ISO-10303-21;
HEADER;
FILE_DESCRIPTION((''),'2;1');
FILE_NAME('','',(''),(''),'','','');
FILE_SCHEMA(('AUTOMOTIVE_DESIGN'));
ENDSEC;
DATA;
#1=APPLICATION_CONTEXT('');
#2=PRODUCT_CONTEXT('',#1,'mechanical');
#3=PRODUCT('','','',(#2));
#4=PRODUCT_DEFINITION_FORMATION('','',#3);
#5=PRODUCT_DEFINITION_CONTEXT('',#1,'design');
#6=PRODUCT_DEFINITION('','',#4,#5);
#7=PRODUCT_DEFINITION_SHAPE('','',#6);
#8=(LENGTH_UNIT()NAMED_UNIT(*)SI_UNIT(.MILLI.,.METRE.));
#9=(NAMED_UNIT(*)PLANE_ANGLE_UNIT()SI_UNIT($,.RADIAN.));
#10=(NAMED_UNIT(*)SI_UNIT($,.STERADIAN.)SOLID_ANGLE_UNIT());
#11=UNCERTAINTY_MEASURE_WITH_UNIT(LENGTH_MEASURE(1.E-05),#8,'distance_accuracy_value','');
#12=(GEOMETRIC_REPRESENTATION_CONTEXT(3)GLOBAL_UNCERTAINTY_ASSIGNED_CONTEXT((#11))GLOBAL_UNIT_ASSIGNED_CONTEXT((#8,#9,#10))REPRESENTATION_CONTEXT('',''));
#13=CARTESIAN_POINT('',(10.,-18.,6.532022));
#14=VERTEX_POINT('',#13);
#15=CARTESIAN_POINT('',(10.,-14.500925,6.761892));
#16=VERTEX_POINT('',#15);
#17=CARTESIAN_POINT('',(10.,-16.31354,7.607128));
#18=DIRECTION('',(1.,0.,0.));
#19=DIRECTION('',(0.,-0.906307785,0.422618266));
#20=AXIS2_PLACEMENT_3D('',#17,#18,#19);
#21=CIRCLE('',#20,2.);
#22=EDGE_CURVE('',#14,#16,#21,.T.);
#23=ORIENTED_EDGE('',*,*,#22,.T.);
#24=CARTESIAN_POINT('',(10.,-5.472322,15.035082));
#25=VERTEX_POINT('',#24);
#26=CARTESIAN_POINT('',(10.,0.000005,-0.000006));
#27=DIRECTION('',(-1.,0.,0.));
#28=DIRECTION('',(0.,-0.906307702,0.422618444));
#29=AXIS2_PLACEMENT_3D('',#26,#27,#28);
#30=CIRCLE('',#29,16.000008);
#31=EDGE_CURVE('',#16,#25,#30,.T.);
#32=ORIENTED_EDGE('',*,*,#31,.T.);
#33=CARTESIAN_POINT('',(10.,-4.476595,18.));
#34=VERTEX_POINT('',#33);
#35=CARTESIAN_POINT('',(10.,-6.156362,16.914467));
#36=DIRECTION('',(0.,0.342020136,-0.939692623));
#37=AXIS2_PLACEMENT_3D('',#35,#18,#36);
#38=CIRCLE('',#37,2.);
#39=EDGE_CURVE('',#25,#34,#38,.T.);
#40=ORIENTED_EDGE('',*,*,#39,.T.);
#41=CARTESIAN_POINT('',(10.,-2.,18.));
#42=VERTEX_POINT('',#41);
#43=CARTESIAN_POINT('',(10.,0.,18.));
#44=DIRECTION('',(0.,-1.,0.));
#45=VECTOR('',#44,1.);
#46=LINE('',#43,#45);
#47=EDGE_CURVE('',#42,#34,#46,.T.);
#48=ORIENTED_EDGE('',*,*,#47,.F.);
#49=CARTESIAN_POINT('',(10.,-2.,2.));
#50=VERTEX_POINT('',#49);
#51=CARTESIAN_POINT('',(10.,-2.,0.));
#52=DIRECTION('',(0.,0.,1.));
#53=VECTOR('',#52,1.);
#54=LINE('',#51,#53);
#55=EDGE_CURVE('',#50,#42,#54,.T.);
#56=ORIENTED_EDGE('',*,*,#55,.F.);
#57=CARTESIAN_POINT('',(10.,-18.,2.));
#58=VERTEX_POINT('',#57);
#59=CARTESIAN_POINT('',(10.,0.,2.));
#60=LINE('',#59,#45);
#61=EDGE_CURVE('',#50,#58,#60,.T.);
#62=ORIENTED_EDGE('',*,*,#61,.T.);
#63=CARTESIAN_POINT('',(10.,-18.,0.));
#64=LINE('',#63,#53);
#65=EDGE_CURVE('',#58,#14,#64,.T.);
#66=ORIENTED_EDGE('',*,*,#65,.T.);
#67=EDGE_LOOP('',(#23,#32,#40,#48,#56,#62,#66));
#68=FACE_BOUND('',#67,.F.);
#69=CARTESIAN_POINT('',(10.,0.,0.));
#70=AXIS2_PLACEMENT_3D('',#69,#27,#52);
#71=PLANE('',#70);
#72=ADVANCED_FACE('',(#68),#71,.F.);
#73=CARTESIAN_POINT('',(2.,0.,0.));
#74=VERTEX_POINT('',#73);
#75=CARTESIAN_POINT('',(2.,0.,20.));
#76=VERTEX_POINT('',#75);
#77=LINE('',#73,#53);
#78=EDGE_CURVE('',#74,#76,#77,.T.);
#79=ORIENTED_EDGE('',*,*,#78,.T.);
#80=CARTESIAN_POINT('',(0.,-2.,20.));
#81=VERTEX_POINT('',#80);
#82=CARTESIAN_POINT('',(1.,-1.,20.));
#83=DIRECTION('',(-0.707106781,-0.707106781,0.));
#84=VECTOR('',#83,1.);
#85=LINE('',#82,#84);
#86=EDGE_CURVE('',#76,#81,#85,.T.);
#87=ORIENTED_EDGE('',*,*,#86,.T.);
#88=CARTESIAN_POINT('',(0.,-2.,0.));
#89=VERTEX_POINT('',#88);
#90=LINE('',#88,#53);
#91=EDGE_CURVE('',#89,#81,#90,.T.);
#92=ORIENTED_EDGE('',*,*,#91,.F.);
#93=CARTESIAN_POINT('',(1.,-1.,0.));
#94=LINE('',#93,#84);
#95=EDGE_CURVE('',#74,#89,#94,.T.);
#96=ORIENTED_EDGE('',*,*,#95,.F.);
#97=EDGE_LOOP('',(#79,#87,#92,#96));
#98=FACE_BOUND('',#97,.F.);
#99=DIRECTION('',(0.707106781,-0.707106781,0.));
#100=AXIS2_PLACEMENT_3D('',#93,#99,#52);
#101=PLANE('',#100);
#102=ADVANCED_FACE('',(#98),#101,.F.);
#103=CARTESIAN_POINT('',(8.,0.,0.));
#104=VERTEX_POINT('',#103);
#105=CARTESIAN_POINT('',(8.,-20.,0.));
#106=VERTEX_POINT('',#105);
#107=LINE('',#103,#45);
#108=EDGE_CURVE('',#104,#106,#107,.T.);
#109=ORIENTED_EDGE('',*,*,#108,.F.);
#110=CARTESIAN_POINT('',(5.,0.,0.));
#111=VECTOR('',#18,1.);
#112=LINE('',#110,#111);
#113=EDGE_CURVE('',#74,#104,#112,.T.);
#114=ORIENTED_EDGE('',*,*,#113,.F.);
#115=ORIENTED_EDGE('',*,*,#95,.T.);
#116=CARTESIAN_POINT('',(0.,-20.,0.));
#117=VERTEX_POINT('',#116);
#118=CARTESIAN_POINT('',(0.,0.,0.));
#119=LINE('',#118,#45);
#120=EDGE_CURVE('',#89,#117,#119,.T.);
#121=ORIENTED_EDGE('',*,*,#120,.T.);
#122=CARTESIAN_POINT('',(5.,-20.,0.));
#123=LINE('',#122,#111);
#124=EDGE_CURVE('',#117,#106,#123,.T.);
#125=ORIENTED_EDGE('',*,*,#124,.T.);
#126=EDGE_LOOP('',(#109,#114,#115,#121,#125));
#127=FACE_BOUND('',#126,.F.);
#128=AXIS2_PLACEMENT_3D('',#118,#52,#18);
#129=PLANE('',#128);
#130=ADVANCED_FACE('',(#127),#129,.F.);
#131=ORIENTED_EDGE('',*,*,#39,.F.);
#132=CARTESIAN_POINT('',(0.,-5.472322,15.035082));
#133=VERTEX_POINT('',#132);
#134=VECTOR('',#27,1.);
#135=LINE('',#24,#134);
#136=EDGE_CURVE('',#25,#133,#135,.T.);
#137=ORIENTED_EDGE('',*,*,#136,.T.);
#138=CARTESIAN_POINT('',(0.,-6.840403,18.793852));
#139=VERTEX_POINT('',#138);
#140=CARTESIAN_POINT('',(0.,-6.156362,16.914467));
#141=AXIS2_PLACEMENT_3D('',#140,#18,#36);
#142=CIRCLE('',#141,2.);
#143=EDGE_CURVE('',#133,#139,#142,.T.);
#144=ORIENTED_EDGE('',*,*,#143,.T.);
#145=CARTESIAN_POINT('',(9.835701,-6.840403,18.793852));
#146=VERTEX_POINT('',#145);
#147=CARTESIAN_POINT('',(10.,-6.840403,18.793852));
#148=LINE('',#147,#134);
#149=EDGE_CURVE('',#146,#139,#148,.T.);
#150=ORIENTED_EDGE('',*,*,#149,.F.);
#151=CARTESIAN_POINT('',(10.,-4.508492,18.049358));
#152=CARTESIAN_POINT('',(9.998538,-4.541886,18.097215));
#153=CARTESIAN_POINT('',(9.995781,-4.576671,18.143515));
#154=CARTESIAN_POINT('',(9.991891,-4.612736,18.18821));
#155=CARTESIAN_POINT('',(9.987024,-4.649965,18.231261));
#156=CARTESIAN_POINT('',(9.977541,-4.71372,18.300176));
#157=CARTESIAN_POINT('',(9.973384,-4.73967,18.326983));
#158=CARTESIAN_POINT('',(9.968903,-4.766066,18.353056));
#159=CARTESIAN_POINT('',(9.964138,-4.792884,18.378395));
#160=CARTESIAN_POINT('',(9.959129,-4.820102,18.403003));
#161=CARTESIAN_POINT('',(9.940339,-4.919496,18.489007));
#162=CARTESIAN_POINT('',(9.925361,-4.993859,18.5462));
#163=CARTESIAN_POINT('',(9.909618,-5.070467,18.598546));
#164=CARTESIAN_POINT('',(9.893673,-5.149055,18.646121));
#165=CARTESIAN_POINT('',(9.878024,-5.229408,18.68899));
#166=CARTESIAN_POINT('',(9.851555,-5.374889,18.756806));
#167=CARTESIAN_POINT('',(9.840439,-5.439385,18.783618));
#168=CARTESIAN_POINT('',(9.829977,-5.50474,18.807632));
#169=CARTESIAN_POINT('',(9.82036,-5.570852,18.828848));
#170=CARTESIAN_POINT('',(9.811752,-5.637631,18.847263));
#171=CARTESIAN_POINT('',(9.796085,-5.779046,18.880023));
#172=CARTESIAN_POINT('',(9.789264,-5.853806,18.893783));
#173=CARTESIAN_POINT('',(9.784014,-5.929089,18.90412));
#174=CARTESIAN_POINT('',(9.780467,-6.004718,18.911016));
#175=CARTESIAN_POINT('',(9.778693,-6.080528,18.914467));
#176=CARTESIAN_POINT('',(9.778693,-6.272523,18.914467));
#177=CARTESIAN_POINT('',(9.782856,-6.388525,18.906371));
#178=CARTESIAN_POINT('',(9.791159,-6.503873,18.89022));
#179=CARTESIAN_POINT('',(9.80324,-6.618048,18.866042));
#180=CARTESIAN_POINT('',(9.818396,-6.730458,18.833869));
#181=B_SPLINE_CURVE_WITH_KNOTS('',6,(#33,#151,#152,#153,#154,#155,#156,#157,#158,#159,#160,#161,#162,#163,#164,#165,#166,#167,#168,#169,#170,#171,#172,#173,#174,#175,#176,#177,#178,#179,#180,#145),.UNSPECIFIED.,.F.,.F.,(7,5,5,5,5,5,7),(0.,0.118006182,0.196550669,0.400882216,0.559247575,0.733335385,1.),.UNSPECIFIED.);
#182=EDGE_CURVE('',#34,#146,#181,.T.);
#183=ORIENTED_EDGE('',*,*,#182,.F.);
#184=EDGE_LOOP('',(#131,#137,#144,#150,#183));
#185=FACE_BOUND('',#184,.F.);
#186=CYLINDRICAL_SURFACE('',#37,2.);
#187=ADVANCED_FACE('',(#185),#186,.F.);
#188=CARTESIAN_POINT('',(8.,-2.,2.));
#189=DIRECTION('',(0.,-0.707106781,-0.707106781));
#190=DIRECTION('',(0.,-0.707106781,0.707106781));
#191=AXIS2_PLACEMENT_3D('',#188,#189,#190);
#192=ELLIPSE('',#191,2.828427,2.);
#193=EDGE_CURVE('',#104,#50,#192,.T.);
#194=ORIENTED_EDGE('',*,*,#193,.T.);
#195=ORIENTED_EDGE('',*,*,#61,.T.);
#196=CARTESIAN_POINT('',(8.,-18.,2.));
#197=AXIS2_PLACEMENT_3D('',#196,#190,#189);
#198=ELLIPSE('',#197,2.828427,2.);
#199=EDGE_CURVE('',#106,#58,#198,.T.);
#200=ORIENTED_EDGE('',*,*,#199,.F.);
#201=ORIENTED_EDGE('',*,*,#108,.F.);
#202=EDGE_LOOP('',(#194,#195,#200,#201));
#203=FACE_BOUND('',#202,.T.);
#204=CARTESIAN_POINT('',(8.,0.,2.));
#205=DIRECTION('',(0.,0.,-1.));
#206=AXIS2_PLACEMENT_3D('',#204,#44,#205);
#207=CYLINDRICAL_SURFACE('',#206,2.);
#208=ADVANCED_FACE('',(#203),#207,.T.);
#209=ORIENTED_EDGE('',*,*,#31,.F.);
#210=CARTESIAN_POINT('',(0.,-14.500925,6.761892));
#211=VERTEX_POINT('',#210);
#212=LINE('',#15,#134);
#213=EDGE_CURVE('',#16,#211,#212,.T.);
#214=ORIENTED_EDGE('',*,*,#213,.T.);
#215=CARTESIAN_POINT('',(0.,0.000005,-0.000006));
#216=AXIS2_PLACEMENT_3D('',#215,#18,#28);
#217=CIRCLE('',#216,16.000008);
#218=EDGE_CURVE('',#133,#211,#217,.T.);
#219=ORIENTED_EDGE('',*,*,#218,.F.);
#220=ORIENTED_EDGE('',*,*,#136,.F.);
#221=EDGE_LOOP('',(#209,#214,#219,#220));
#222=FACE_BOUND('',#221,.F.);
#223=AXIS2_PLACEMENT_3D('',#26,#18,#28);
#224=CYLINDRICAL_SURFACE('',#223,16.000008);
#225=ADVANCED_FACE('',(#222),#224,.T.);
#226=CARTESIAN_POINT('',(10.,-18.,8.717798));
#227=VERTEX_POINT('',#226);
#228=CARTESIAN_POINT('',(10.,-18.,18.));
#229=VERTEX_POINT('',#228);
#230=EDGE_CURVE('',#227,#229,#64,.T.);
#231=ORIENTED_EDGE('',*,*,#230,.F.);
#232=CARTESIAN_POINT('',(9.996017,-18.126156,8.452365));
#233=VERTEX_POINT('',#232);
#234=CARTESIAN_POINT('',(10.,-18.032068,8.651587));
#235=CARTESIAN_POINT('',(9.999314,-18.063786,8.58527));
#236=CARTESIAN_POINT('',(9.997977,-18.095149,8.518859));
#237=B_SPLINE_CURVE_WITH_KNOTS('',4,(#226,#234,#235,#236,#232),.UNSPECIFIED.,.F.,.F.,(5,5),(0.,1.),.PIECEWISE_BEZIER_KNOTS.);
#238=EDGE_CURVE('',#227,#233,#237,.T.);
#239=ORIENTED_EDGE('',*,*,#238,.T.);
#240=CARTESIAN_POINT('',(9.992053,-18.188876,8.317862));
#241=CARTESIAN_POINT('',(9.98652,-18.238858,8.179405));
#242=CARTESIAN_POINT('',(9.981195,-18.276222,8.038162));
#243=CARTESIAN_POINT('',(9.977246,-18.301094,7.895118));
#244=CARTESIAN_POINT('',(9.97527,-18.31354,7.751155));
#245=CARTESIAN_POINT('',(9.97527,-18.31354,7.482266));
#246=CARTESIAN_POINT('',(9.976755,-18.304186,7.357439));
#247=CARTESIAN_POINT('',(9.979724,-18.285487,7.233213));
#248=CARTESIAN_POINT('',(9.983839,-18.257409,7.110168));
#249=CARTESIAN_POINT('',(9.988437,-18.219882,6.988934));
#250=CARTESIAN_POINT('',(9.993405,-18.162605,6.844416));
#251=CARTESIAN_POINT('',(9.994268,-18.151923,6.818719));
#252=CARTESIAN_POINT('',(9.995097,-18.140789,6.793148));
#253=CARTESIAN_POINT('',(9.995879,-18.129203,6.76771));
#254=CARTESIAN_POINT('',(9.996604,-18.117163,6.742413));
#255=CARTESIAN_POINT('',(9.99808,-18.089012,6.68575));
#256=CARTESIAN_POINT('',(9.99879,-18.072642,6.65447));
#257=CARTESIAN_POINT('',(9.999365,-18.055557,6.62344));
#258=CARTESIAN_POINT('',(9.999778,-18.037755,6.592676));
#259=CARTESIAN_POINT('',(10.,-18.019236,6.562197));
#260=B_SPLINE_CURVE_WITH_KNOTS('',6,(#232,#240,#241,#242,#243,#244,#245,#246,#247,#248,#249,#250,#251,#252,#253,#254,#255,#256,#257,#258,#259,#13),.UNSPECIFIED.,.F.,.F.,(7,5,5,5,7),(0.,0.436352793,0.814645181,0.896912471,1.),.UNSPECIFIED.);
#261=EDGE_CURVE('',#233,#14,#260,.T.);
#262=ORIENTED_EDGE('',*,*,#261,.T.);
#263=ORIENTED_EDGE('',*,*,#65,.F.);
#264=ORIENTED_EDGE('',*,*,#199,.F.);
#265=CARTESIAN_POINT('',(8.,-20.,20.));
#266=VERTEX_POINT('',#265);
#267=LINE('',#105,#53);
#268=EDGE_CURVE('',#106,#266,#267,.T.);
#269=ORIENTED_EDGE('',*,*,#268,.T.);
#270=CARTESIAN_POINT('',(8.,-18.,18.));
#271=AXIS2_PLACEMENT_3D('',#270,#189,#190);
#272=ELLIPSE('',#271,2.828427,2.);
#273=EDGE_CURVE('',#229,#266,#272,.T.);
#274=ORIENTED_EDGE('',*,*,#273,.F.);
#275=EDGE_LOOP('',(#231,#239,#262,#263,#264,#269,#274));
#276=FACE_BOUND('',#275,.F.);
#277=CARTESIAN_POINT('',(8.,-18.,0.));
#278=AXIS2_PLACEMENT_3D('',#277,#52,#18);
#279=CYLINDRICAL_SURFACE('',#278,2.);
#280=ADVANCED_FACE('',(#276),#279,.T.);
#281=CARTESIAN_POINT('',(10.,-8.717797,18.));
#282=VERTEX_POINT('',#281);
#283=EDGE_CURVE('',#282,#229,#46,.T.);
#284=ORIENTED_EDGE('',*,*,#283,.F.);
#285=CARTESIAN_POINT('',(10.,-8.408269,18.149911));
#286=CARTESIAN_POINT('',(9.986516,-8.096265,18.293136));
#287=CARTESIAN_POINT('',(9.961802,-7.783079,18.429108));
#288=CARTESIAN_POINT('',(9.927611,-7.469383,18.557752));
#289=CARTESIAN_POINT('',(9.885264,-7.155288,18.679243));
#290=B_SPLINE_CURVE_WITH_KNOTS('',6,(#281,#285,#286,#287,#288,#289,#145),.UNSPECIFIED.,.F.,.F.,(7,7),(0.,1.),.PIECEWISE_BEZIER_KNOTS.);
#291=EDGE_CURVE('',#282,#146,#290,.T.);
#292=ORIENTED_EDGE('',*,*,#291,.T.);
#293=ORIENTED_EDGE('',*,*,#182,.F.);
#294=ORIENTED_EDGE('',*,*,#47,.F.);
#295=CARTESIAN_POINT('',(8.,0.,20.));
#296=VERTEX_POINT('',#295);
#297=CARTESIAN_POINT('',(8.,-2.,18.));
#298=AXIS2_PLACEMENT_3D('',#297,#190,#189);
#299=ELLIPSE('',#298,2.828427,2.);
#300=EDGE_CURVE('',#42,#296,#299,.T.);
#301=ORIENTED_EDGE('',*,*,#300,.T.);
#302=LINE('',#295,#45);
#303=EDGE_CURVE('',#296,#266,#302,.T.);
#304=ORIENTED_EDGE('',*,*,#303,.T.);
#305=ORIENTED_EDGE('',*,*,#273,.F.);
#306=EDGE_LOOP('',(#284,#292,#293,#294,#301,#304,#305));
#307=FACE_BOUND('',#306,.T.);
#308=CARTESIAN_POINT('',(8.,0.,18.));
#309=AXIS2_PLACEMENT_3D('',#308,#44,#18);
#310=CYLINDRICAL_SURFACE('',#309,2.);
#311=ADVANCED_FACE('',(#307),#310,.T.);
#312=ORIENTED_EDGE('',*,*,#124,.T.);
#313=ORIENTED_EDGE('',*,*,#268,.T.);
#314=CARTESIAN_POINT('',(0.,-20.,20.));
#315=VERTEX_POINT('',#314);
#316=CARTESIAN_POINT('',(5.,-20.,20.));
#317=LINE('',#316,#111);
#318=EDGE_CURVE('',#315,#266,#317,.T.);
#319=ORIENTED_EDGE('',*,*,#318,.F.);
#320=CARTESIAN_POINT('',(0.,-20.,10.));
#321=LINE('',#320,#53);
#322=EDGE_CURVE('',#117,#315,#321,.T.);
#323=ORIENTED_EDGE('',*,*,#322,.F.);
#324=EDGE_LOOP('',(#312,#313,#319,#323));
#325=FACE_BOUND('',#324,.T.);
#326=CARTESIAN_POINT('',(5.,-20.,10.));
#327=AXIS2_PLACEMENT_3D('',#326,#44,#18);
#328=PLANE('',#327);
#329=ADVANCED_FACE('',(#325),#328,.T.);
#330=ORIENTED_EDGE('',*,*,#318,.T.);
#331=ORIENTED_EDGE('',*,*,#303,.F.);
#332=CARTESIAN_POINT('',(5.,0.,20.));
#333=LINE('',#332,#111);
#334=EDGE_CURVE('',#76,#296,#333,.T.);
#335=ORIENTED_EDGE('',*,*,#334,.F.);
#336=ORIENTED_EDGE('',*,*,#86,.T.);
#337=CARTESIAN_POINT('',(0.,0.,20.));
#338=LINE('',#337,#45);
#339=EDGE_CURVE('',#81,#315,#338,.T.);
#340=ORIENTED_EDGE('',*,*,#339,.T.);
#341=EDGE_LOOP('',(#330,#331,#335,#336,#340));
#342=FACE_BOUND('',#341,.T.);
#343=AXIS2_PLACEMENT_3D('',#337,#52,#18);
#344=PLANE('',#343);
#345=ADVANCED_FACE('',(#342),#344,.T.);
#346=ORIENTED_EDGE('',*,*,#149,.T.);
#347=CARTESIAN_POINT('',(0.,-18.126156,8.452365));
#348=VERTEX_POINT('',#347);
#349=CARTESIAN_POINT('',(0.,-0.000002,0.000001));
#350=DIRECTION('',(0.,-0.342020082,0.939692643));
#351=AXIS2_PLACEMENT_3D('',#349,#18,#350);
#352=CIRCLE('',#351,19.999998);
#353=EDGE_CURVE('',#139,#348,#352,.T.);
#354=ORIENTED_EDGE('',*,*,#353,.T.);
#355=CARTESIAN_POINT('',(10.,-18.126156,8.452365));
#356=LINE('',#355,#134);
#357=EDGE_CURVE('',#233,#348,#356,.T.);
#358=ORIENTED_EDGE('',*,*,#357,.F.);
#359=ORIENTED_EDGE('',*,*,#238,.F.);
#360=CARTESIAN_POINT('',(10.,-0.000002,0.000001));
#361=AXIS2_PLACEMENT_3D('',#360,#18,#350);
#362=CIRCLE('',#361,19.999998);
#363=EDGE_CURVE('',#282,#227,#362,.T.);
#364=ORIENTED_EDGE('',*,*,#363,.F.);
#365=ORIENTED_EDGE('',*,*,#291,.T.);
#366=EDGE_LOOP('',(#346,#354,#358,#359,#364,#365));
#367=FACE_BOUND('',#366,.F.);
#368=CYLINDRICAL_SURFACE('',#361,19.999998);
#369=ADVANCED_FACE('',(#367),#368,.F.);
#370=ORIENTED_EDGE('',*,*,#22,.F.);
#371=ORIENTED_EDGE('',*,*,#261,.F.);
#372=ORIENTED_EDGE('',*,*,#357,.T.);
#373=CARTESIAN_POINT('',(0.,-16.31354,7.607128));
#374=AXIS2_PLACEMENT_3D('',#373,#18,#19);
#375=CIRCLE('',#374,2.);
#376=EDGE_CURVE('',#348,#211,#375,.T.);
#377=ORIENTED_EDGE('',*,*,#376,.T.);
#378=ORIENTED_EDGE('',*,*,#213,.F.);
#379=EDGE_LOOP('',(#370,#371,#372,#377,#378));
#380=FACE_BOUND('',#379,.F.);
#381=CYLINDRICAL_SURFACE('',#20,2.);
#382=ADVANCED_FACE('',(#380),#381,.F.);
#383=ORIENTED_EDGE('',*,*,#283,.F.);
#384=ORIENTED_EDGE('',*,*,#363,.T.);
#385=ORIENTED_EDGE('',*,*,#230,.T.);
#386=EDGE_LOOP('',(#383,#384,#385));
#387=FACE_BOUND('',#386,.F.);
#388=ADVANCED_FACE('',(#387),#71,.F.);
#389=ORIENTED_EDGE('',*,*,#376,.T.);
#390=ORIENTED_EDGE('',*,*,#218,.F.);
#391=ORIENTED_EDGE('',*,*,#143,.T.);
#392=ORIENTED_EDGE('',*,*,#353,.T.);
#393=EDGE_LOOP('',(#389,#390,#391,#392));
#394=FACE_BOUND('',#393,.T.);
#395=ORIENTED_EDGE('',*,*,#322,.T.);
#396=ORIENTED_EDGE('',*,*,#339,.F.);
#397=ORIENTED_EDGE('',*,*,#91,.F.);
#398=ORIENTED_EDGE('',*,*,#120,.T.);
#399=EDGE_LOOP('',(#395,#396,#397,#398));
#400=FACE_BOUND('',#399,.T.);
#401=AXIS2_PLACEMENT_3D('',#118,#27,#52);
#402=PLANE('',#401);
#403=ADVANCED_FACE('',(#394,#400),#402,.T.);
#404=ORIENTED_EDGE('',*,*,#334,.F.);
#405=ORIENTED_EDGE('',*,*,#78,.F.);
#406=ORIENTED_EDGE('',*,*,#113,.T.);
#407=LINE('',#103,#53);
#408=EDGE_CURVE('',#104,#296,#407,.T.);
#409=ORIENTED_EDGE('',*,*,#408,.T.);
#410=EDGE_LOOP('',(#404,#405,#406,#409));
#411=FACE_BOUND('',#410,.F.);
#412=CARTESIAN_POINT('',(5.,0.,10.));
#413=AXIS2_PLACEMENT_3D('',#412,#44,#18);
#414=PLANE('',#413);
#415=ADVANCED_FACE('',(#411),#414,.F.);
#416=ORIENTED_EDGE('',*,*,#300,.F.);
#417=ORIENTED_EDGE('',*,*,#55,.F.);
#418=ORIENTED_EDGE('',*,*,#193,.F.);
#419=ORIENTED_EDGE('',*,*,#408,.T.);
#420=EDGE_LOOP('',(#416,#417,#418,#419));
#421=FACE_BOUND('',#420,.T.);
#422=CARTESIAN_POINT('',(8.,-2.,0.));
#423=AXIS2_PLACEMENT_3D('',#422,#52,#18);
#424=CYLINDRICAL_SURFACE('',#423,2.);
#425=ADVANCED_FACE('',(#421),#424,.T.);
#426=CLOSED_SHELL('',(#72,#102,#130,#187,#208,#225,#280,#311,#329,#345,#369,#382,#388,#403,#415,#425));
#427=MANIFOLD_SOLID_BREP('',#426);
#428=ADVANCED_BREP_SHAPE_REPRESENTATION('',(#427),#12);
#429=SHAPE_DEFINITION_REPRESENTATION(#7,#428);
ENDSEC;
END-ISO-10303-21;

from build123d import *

# Parameters (mm, degrees)
F0_W     = 10
F0_H     = 20
F1_DEPTH = 20
F2_R     = 2
F3_SIZE  = 2
F5_DEPTH = 24.4


with BuildPart() as f1:
    # F0 (on Front) → F1 (new body)
    with BuildSketch(Plane.XZ):
        with Locations((5, 10)):
            Rectangle(F0_W, F0_H)
    extrude(amount=F1_DEPTH)

    # F2
    f2_edges = [f1.edges().sort_by_distance(p)[0] for p in [
        (10, -10, 0),
        (10, -10, 20),
        (10, 0, 10),
        (10, -20, 10),
    ]]
    fillet(f2_edges, radius=F2_R)

    # F3
    f3_edges = [f1.edges().sort_by_distance(p)[0] for p in [
        (0, 0, 10),
    ]]
    chamfer(f3_edges, length=F3_SIZE)

    # F4 (on face) → F5 (cut)
    with BuildSketch(Plane.YZ.offset(10)):
        with BuildLine():
            ThreePointArc((-5.472322, 15.035082), (-4.276977, 17.598507), (-6.840403, 18.793852))
            ThreePointArc((-6.840403, 18.793852), (-13.511804, 14.745547), (-18.126156, 8.452365))
            ThreePointArc((-18.126156, 8.452365), (-17.158777, 5.794513), (-14.500925, 6.761892))
            ThreePointArc((-14.500925, 6.761892), (-10.809443, 11.796437), (-5.472322, 15.035082))
        make_face()
    extrude(amount=-F5_DEPTH, mode=Mode.SUBTRACT)


solid = f1.part
